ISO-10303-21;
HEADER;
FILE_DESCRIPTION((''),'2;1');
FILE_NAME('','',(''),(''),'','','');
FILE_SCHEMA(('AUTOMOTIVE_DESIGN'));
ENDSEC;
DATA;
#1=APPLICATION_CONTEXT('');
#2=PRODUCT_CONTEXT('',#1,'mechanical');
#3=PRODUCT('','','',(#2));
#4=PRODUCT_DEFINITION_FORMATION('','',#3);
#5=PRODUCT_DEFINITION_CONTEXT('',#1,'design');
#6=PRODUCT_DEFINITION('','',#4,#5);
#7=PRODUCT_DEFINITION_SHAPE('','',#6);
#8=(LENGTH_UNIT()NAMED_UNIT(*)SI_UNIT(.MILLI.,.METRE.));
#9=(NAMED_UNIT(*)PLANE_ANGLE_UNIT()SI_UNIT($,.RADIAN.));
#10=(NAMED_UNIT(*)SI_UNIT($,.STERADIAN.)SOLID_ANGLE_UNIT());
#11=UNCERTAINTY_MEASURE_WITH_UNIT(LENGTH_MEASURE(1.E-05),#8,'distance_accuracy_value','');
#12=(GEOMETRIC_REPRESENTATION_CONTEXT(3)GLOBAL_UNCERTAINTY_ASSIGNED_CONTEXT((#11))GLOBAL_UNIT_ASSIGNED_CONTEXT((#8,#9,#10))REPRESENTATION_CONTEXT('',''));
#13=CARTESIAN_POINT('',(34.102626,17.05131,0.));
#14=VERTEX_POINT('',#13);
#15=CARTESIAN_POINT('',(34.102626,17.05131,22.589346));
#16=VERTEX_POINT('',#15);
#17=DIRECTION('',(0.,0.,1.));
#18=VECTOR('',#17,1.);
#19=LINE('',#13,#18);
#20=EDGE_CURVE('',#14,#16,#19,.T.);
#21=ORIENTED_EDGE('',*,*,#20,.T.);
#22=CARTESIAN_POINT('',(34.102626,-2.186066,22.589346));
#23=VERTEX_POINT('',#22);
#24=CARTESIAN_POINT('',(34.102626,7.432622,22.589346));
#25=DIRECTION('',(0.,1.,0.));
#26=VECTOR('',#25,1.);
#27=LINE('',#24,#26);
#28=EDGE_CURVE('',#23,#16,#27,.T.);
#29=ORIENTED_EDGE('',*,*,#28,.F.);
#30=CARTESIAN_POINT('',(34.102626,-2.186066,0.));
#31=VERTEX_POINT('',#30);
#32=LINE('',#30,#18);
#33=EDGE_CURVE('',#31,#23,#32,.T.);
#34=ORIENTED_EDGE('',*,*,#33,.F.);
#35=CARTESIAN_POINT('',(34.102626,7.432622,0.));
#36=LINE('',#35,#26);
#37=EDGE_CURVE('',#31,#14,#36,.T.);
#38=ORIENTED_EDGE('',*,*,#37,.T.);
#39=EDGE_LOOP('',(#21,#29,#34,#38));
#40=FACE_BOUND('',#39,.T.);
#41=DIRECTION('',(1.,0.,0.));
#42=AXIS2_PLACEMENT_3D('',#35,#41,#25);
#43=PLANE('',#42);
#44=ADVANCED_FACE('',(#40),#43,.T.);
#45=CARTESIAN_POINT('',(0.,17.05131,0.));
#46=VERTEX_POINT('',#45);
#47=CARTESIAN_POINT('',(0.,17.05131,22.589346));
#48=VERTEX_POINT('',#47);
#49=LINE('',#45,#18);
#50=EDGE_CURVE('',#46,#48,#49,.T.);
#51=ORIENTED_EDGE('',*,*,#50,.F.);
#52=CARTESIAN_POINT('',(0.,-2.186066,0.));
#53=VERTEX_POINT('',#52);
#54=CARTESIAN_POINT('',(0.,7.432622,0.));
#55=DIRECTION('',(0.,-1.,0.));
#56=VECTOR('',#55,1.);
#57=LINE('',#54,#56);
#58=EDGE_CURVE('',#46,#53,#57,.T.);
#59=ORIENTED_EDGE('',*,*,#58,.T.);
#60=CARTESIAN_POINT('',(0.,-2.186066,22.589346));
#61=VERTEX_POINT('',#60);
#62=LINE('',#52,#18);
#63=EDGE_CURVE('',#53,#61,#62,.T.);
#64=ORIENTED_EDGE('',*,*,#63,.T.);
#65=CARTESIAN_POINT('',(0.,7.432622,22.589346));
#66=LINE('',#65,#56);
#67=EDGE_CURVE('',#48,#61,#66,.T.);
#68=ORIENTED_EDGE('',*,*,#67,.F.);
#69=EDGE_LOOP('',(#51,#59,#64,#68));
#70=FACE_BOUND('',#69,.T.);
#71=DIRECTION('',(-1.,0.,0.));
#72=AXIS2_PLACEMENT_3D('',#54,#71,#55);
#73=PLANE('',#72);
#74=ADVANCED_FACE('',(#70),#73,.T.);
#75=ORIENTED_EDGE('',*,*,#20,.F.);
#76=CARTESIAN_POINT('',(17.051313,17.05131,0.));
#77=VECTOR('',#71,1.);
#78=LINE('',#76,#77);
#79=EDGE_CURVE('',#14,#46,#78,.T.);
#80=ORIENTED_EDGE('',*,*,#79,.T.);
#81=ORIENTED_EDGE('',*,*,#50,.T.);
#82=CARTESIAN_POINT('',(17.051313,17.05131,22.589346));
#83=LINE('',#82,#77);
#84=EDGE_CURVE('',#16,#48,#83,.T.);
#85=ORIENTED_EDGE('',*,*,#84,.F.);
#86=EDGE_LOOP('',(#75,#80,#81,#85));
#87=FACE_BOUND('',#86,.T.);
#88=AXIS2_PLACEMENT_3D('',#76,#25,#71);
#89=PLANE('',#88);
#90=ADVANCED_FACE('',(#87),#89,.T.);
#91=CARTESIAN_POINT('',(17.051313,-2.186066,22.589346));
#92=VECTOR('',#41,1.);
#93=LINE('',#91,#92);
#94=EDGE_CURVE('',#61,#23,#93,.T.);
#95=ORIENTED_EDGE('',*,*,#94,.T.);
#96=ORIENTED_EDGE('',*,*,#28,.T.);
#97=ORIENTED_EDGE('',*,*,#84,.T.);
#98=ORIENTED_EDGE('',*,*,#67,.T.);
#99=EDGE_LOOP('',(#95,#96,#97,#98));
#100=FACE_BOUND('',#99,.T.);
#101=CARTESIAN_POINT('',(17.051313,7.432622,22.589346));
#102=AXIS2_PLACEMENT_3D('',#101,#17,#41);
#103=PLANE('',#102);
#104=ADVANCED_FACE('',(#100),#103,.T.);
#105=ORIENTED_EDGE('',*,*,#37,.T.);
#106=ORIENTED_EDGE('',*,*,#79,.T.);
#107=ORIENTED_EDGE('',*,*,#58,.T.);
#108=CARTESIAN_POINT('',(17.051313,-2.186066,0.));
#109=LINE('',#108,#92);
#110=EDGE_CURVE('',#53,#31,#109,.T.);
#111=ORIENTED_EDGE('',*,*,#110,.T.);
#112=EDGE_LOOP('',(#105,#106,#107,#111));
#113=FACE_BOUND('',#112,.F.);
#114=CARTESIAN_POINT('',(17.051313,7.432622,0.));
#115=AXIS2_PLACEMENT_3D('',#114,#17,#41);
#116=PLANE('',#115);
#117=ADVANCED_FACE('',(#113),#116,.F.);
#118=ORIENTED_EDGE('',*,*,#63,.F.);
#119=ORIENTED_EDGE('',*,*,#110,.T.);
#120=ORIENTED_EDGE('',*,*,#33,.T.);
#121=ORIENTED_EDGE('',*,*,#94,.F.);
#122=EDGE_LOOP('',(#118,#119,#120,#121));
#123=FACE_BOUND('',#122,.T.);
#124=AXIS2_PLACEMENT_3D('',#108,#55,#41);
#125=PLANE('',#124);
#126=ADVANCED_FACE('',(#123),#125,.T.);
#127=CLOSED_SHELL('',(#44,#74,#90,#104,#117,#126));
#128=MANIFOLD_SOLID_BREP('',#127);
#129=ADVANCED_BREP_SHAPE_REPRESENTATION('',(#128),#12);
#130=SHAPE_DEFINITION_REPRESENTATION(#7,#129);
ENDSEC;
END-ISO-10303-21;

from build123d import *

# Parameters (mm, degrees)
F0_W = 34.102626
F0_H = 19.237377


with BuildPart() as f2:
    # F2: sweep along a path in F1
    with BuildLine(Plane.XZ) as f2_path:
        Line((0, 0), (0, 22.589346))
    # F0 (on Top) → F2 (sweep)
    with BuildSketch(Plane.XY):
        with Locations((17.051313, 7.432622)):
            Rectangle(F0_W, F0_H)
    sweep(path=f2_path.line)


solid = f2.part
